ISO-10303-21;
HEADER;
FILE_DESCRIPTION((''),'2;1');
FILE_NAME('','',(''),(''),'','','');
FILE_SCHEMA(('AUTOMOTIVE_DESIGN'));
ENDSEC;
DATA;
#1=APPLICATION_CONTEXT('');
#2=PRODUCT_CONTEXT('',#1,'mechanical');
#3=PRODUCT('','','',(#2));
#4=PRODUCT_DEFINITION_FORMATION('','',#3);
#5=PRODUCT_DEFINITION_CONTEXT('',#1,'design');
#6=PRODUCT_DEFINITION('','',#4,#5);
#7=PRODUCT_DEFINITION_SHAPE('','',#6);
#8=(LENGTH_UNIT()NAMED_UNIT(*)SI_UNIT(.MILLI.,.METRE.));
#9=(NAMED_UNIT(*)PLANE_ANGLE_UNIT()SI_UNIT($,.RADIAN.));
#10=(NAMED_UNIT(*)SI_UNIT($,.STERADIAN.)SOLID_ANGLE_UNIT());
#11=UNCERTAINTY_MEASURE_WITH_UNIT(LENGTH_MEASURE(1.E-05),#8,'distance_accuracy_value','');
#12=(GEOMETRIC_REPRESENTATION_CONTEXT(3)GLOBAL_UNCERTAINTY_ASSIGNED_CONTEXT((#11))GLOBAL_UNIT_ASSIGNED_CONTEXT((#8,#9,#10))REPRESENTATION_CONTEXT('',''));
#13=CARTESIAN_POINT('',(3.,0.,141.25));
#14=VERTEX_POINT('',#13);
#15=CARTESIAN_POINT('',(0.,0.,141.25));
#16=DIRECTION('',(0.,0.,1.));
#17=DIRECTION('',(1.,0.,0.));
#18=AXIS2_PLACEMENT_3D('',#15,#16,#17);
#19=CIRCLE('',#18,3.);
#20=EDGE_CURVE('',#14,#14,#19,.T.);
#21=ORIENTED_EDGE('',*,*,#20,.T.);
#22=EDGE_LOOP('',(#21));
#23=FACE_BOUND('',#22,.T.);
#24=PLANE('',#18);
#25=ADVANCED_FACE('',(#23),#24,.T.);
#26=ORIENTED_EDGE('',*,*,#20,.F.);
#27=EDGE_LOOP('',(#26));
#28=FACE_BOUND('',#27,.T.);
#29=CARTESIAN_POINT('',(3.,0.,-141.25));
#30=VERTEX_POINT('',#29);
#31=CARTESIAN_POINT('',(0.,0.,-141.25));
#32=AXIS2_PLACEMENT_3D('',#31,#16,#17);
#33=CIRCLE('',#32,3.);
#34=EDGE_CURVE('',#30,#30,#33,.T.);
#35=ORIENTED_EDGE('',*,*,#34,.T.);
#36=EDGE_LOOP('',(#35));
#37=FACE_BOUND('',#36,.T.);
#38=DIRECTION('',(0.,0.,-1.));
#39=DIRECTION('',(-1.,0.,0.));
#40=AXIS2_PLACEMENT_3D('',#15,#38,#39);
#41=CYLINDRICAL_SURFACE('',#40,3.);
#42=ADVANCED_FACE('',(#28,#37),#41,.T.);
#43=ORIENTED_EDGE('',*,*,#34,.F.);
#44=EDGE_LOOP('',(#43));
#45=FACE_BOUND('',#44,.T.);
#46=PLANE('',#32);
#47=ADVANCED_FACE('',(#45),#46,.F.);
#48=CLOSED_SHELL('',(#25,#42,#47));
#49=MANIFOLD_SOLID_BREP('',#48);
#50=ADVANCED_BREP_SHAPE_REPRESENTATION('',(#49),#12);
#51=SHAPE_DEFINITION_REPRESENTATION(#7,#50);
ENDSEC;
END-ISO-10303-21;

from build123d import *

# Parameters (mm, degrees)
SKETCH1_R           = 3
BOSS_EXTRUDE1_DEPTH = 141.25


with BuildPart() as part:
    # Sketch1 → Boss-Extrude1 (new body, symmetric)
    with BuildSketch(Plane.XY):
        Circle(SKETCH1_R)
    extrude(amount=BOSS_EXTRUDE1_DEPTH, both=True)


solid = part.part
